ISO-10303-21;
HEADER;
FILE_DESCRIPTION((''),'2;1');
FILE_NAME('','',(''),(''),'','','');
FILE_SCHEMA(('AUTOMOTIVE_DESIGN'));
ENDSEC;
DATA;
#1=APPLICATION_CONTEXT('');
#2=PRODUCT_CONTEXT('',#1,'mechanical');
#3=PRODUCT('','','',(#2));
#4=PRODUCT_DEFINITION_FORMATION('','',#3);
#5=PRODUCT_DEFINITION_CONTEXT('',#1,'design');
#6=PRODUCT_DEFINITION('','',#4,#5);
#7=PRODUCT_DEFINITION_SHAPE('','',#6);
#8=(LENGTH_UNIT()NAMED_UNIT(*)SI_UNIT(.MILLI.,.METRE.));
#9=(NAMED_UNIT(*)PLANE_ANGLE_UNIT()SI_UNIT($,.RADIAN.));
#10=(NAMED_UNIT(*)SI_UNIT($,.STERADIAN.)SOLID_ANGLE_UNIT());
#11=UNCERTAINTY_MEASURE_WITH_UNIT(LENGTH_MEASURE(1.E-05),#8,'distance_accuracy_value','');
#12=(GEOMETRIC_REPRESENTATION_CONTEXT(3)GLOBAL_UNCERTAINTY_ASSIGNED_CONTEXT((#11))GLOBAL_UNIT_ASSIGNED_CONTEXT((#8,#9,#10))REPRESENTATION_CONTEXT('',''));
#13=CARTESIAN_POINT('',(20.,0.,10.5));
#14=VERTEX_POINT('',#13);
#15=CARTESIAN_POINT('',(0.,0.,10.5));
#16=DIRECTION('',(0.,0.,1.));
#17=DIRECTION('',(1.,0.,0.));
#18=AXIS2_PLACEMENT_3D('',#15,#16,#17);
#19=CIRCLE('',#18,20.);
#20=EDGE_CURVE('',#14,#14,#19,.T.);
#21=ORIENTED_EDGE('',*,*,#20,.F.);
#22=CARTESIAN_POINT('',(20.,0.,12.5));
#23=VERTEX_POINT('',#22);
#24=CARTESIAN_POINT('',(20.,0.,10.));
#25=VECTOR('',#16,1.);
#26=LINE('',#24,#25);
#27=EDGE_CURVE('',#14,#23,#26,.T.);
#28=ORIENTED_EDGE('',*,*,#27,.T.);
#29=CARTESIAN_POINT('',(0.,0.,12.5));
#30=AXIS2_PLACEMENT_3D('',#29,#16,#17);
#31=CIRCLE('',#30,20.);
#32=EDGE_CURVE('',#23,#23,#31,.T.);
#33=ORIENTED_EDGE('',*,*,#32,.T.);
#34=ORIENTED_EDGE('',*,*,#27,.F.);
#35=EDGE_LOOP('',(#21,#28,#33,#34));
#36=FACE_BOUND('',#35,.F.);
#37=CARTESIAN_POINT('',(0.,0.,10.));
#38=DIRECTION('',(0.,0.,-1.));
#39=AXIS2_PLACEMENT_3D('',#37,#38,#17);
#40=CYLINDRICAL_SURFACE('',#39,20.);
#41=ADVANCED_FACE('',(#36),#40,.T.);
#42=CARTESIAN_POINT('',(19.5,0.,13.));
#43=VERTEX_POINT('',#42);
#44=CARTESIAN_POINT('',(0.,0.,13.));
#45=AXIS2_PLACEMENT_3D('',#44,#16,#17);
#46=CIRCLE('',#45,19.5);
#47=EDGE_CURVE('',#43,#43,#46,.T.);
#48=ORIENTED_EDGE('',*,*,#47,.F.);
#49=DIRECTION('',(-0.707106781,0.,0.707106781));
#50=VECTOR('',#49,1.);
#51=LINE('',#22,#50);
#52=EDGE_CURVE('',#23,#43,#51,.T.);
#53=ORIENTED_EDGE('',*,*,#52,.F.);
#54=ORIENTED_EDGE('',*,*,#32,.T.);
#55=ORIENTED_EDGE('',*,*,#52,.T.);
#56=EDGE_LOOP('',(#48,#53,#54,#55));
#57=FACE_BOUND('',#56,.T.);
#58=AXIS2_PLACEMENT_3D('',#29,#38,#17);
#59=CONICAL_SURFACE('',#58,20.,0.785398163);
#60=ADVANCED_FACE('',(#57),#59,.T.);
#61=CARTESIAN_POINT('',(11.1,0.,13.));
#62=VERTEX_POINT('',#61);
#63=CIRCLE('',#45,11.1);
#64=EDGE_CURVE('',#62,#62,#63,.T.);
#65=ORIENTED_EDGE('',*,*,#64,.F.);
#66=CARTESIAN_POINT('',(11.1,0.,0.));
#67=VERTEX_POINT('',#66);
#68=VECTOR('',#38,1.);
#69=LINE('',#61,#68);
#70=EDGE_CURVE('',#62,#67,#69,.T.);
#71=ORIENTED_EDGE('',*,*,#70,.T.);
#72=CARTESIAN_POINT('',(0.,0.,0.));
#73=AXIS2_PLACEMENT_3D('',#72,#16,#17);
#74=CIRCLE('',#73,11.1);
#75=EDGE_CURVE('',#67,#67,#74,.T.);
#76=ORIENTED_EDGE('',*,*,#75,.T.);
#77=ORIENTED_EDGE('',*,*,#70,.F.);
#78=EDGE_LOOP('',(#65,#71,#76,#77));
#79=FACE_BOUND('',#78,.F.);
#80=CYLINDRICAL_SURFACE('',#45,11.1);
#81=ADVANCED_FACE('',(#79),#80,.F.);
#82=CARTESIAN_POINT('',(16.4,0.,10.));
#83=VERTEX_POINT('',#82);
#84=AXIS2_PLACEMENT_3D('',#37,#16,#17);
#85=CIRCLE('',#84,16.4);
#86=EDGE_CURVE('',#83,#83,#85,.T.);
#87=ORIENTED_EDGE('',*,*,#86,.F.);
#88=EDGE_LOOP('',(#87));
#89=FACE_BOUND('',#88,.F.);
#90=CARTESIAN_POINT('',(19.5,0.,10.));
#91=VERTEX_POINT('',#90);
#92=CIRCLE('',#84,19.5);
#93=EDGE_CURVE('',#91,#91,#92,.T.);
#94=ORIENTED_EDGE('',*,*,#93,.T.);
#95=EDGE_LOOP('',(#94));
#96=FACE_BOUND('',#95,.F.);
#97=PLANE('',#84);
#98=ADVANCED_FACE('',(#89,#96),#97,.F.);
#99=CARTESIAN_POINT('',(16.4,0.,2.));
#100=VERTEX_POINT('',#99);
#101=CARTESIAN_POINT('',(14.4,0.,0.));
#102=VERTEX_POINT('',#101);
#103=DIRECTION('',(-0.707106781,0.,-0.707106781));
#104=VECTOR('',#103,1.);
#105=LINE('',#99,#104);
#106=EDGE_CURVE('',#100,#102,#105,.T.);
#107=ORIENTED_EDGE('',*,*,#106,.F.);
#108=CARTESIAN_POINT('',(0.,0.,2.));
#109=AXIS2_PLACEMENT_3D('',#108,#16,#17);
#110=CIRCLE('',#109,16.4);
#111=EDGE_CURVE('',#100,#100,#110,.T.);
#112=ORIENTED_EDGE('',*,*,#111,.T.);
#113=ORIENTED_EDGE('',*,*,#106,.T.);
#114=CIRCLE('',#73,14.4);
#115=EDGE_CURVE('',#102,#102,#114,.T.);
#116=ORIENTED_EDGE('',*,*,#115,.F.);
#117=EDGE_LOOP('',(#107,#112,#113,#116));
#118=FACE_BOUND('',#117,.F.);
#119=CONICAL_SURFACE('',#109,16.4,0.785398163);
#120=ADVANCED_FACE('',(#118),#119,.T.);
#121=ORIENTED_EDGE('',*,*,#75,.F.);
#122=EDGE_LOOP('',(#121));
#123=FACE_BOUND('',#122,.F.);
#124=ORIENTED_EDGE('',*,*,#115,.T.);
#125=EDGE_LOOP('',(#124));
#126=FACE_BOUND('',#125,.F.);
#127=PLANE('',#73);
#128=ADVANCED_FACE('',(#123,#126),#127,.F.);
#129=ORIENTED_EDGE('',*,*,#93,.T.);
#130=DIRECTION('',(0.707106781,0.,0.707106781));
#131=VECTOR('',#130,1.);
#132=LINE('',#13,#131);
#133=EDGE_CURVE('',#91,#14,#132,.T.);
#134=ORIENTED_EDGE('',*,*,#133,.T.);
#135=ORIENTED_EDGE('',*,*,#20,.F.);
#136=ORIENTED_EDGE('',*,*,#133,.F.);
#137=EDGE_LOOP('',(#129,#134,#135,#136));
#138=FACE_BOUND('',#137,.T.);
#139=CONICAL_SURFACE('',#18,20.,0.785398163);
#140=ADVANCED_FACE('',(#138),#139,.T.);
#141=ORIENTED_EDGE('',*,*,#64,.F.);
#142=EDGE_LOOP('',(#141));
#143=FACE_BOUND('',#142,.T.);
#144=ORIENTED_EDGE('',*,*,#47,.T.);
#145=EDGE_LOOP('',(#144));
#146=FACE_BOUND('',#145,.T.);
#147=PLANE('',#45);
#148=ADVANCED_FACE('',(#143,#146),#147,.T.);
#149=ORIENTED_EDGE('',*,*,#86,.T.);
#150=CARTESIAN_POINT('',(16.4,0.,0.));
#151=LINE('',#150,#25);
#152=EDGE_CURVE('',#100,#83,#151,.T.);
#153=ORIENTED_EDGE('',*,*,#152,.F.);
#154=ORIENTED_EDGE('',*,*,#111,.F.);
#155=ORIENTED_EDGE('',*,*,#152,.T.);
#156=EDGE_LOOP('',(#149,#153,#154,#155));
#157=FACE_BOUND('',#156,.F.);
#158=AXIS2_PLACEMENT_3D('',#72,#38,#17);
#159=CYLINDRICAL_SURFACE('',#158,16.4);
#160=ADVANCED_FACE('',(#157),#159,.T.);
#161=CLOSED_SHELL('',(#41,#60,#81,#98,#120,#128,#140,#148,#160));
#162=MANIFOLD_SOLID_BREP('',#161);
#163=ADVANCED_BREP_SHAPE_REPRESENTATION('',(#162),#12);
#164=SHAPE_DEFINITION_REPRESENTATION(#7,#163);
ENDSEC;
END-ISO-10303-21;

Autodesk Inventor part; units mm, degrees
ref_plane "YZ Plane" through (0, 0, 0) normal (1, 0, 0) x (0, 1, 0)
ref_plane "XZ Plane" through (0, 0, 0) normal (0, 1, 0) x (-1, 0, 0)
ref_plane "XY Plane" through (0, 0, 0) normal (0, 0, 1) x (1, 0, 0)
sketch "スケッチ1" plane through (0, 0, 0) normal (0, 0, 1) x (1, 0, 0)
  circle A0 centre (0, 0) radius 16.4
  dimension "d0" = 32.8
extrude "押し出し1" add sketch "スケッチ1" along normal blind 10
sketch "スケッチ2" plane through (0, 0, 10) normal (0, 0, 1) x (1, 0, 0)
  circle A0 centre (0, 0) radius 16.4 projected
  circle A1 centre (0, 0) radius 20
  dimension "d3" = 40
extrude "押し出し2" add sketch "スケッチ2" along normal blind 3 contours A0 | A1
chamfer "面取り1" distance 2 angle 45 1 edges at (-16.4, 0, 0)
chamfer "面取り2" distance 0.5 angle 45 2 edges at (-20, 0, 13) (-20, 0, 10)
sketch "スケッチ3" plane through (0, 0, 13) normal (0, 0, 1) x (1, 0, 0)
  circle A0 centre (0, 0) radius 19.5 projected
  circle A1 centre (0, 0) radius 11.1
  dimension "d12" = 22.2
extrude "押し出し3" cut sketch "スケッチ3" against normal through all contours A1
properties part number "Print_Parts_P" material "PC/ABS プラスチック"
